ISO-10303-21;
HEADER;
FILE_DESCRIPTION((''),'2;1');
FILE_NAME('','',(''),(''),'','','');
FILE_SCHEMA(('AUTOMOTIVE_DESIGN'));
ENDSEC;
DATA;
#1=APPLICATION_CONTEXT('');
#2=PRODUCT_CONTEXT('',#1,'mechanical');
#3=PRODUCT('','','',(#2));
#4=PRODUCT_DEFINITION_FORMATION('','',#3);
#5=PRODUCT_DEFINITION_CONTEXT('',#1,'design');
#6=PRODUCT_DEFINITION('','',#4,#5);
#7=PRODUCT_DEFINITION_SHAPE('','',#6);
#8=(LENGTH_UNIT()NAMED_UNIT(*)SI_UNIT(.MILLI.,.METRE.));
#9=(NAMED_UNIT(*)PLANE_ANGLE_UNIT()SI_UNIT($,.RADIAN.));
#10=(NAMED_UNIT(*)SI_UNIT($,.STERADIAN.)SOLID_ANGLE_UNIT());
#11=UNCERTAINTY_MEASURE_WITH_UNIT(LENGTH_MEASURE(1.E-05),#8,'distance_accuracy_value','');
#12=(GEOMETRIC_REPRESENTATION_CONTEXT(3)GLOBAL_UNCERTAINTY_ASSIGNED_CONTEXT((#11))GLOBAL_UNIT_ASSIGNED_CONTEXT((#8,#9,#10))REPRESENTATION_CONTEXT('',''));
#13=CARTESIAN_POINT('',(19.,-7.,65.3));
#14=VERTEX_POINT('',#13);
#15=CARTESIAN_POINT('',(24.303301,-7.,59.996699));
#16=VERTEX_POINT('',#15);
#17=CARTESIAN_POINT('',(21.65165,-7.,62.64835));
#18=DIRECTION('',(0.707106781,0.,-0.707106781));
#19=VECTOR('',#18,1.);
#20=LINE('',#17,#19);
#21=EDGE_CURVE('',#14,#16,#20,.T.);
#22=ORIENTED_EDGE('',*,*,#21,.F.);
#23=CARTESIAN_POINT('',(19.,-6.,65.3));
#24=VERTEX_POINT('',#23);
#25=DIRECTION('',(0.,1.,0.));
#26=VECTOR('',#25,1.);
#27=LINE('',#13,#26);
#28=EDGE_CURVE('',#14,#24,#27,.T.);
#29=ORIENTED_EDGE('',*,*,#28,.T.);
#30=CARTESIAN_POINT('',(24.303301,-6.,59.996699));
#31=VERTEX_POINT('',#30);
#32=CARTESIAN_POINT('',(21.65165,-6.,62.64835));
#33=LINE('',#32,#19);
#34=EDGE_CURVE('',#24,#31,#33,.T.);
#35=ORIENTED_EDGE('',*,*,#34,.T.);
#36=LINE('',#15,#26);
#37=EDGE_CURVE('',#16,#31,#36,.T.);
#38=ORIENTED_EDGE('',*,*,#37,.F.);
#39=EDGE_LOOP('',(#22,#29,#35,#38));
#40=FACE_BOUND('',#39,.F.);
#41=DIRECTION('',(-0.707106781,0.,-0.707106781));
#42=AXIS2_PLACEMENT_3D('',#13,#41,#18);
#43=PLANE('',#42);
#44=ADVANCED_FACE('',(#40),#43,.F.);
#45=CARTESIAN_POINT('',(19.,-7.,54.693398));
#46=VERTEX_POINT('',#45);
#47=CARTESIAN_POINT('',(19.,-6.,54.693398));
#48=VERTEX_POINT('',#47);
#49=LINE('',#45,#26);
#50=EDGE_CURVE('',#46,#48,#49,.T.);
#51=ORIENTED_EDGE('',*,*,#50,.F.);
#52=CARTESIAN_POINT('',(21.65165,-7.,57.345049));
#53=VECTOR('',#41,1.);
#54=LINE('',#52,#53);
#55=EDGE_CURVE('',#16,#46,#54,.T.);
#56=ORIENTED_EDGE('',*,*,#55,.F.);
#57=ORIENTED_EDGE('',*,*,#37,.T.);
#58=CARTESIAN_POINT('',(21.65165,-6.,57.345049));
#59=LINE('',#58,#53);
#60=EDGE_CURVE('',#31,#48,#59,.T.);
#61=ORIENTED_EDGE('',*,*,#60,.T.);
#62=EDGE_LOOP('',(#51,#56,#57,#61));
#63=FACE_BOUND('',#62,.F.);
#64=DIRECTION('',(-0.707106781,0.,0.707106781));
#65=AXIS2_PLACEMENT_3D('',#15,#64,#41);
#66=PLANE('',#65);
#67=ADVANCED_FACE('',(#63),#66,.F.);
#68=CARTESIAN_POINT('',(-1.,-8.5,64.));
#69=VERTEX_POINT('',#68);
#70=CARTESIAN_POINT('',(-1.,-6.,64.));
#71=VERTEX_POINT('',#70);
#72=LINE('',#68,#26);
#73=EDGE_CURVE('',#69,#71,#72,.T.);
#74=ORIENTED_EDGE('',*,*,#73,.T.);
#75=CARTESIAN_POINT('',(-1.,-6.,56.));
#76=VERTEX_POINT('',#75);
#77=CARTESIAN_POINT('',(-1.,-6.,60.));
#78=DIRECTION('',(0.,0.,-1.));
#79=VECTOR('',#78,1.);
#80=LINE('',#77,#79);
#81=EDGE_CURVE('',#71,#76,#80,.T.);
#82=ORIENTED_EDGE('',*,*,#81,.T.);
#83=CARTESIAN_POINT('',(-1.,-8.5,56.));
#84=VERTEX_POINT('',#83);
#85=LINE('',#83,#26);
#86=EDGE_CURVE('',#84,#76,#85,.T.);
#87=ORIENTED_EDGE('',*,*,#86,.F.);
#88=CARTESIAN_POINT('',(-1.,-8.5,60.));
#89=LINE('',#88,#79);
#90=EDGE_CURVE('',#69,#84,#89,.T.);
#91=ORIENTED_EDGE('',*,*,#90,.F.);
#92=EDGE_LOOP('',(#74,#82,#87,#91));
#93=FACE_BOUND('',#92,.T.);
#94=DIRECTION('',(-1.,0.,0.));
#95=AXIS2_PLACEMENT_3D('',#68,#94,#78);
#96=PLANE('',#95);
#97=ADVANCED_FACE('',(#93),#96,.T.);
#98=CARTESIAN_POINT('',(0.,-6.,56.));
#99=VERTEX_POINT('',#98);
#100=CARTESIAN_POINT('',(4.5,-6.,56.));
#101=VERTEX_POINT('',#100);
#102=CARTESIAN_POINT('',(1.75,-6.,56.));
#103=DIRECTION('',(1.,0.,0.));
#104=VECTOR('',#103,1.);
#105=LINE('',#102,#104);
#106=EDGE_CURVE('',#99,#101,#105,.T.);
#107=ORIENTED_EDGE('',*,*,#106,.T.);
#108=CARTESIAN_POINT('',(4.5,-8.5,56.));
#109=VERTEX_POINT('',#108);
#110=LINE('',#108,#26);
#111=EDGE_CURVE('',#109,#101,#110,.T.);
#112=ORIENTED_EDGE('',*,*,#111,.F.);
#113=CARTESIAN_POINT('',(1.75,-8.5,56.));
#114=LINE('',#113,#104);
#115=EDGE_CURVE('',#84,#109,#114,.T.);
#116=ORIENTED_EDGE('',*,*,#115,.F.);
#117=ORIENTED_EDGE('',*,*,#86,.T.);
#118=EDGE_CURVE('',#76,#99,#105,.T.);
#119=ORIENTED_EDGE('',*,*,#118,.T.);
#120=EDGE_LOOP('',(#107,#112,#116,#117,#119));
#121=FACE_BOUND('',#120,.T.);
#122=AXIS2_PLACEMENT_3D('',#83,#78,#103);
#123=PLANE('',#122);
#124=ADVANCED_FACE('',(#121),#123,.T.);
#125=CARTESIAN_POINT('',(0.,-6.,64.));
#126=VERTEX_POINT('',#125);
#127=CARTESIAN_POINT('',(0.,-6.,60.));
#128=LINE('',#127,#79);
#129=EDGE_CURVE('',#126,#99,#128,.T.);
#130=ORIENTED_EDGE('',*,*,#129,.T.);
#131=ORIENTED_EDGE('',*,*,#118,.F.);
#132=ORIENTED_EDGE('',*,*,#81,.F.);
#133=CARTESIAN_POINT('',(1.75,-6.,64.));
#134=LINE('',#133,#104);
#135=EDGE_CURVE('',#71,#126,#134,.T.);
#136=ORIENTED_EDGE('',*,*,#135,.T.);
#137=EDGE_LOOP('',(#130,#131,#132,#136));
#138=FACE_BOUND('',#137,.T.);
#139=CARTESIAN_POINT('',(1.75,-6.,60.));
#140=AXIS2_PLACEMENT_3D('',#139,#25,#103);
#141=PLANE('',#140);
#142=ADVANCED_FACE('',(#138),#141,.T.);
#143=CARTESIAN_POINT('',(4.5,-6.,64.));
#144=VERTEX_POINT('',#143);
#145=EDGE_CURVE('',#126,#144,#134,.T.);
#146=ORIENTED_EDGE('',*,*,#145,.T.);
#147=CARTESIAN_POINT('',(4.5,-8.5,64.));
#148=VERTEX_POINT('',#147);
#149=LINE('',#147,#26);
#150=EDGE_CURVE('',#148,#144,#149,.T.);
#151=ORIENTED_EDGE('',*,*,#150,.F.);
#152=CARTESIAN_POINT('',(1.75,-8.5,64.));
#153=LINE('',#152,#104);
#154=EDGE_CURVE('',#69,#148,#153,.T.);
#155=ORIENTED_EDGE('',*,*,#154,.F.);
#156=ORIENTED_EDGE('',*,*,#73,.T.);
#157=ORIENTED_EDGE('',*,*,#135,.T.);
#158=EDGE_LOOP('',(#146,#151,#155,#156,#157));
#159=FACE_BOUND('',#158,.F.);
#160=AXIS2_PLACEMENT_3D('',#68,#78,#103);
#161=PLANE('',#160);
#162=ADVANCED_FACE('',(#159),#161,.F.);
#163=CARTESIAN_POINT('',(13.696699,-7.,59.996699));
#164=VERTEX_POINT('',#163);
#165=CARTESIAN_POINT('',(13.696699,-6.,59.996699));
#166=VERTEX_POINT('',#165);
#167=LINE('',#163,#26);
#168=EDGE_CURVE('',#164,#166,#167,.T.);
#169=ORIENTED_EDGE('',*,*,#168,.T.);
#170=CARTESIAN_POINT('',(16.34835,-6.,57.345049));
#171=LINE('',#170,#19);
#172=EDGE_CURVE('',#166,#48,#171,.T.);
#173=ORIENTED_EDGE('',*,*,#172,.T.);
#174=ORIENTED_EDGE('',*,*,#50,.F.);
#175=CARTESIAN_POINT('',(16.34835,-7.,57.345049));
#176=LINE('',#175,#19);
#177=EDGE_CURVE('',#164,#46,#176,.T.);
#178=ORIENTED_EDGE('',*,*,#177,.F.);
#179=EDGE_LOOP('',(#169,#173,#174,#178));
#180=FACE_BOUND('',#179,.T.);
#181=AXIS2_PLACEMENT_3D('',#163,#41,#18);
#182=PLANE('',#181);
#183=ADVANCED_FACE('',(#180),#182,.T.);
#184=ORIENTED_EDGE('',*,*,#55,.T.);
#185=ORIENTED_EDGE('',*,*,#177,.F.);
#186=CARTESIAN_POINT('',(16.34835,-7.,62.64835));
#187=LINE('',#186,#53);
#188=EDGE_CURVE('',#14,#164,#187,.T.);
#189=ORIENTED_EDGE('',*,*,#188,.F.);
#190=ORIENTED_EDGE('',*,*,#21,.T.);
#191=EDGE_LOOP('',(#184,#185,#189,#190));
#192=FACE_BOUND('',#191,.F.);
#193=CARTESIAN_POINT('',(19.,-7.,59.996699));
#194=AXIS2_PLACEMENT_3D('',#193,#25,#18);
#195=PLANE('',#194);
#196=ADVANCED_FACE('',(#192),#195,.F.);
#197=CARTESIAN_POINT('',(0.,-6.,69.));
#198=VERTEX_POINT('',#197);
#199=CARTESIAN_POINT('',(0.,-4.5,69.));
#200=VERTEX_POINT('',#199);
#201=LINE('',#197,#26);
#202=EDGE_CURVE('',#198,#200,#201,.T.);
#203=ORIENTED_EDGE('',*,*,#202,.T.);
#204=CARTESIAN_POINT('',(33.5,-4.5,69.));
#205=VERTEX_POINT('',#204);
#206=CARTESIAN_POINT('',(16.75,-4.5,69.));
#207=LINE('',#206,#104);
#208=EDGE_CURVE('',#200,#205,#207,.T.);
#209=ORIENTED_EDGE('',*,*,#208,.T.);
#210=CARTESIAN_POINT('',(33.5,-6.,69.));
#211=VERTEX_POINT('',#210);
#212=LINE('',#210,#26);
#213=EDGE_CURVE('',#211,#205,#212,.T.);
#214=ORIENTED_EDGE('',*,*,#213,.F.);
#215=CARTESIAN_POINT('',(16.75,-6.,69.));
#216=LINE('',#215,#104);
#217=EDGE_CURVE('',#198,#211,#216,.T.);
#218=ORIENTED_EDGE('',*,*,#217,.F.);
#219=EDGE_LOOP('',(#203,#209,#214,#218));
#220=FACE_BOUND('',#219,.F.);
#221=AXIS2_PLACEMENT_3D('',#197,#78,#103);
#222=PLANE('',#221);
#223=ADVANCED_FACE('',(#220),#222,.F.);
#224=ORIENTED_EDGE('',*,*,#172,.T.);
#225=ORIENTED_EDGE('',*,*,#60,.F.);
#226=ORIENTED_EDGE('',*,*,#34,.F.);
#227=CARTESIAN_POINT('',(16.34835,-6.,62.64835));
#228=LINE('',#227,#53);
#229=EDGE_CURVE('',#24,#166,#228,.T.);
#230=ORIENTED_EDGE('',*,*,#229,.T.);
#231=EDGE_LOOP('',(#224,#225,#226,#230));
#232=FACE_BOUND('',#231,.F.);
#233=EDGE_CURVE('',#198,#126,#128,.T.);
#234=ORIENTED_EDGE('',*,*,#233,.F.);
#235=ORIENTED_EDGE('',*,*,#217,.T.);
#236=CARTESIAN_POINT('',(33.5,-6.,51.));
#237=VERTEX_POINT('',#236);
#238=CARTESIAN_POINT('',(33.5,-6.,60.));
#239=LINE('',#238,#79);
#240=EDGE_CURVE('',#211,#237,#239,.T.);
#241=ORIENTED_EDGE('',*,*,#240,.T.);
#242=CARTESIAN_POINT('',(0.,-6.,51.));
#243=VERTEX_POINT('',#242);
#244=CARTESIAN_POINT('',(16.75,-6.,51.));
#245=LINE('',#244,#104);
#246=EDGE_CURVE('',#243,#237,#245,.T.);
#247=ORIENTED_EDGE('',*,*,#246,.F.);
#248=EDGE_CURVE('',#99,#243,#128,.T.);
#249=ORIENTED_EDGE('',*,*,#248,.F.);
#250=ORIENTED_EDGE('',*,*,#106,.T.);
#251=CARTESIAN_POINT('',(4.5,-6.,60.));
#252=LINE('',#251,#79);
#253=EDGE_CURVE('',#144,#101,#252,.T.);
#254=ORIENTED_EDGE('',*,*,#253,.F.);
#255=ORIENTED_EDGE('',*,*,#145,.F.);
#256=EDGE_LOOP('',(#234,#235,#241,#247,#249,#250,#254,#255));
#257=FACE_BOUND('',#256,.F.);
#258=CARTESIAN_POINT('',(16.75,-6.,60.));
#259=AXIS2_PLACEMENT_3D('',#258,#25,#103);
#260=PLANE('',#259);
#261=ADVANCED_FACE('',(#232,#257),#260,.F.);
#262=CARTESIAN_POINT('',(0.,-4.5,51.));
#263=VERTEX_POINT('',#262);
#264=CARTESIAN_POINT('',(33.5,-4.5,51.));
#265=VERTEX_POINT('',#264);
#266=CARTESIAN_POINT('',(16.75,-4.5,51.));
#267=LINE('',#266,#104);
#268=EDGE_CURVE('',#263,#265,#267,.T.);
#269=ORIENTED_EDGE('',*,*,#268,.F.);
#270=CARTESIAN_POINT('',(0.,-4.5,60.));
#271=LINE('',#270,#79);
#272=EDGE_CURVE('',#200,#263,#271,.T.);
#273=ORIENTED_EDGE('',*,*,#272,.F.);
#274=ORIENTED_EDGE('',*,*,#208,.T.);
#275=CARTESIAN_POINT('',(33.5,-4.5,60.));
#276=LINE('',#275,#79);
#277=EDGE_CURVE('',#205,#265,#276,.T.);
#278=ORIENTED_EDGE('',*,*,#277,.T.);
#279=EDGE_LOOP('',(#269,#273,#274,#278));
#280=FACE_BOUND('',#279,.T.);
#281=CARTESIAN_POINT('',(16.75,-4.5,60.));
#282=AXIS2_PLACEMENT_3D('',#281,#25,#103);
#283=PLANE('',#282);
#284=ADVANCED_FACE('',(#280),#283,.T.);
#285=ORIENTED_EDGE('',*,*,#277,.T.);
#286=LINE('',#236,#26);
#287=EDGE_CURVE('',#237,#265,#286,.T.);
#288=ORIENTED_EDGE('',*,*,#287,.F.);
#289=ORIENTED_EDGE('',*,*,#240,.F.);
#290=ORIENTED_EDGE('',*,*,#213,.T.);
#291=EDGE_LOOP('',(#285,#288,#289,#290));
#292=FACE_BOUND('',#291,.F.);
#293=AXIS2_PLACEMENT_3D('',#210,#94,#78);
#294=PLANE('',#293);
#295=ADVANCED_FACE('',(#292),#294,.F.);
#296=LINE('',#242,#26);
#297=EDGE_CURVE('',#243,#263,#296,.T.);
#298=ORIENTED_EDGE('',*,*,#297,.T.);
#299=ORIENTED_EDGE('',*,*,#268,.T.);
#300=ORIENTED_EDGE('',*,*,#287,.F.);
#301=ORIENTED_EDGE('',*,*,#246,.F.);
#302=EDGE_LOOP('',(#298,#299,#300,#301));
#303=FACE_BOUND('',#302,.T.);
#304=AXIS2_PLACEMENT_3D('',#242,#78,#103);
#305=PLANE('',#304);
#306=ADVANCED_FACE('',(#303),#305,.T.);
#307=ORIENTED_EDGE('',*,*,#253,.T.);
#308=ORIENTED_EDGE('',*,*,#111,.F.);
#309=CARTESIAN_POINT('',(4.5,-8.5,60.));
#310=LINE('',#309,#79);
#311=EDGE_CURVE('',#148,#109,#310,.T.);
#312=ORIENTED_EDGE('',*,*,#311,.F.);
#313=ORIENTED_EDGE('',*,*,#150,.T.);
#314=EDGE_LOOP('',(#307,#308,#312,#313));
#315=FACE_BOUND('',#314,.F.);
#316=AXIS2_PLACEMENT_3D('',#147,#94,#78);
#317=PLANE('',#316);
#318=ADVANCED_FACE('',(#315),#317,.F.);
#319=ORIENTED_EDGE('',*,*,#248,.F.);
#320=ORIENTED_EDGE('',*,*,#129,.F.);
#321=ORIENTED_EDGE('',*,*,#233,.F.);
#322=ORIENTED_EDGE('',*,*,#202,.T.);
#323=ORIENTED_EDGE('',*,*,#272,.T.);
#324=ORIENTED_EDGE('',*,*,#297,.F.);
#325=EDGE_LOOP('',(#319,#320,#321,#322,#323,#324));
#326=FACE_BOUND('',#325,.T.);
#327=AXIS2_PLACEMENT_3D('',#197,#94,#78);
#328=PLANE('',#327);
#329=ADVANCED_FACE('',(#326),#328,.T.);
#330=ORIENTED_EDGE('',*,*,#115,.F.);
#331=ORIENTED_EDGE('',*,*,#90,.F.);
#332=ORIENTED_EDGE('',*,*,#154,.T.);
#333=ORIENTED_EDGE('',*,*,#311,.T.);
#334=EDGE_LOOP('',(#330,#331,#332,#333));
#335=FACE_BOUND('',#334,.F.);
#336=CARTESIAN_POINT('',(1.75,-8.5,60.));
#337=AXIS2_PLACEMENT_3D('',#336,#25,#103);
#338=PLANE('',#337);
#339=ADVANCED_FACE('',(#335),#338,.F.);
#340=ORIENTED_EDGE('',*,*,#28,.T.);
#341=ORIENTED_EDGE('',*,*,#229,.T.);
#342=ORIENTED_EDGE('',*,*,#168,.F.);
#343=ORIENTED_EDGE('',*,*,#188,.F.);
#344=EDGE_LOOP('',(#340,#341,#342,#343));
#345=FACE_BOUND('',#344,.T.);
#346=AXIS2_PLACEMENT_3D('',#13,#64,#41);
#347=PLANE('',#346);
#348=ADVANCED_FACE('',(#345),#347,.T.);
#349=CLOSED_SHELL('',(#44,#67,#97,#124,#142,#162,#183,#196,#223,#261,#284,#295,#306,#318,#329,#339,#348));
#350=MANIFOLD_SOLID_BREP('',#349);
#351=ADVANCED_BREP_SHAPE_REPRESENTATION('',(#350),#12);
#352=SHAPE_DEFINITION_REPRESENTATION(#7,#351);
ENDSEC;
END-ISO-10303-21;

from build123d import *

# Parameters (mm, degrees)
SKETCH005_W             = 33.5
SKETCH005_H             = 18
PAD006_DEPTH            = 1.5
BOX013_W                = 5.5
BOX013_H                = 8
BOX013_DEPTH            = 2.5
BOX014_W                = 7.5
BOX014_H                = 7.5
BOX014_DEPTH            = 1
BODY008_PLACEMENT_ANGLE = 180


with BuildPart() as part:
    # Sketch005 → Pad006 (new body)
    with BuildSketch(Plane.XZ):
        with Locations((16.75, 9)):
            Rectangle(SKETCH005_W, SKETCH005_H)
    extrude(amount=PAD006_DEPTH)

    # Box013 → Box013 (join)
    with BuildSketch(Plane(origin=(-1, 2.5, 5), x_dir=(1, 0, 0), z_dir=(0, -1, 0))):
        with Locations((2.75, 4)):
            Rectangle(BOX013_W, BOX013_H)
    extrude(amount=BOX013_DEPTH)

    # Box014 → Box014 (join)
    with BuildSketch(Plane(origin=(19, 1, 3.7), x_dir=(0.707107, 0, 0.707107), z_dir=(0, -1, 0))):
        with Locations((3.75, 3.75)):
            Rectangle(BOX014_W, BOX014_H)
    extrude(amount=BOX014_DEPTH)


with BuildPart() as part_1:
    # Body008 placement: moved
    add(part.part.moved(Location((0, -6, 69))).rotate(Axis((0, -6, 69), (1, 0, 0)), BODY008_PLACEMENT_ANGLE))


solid = part_1.part
